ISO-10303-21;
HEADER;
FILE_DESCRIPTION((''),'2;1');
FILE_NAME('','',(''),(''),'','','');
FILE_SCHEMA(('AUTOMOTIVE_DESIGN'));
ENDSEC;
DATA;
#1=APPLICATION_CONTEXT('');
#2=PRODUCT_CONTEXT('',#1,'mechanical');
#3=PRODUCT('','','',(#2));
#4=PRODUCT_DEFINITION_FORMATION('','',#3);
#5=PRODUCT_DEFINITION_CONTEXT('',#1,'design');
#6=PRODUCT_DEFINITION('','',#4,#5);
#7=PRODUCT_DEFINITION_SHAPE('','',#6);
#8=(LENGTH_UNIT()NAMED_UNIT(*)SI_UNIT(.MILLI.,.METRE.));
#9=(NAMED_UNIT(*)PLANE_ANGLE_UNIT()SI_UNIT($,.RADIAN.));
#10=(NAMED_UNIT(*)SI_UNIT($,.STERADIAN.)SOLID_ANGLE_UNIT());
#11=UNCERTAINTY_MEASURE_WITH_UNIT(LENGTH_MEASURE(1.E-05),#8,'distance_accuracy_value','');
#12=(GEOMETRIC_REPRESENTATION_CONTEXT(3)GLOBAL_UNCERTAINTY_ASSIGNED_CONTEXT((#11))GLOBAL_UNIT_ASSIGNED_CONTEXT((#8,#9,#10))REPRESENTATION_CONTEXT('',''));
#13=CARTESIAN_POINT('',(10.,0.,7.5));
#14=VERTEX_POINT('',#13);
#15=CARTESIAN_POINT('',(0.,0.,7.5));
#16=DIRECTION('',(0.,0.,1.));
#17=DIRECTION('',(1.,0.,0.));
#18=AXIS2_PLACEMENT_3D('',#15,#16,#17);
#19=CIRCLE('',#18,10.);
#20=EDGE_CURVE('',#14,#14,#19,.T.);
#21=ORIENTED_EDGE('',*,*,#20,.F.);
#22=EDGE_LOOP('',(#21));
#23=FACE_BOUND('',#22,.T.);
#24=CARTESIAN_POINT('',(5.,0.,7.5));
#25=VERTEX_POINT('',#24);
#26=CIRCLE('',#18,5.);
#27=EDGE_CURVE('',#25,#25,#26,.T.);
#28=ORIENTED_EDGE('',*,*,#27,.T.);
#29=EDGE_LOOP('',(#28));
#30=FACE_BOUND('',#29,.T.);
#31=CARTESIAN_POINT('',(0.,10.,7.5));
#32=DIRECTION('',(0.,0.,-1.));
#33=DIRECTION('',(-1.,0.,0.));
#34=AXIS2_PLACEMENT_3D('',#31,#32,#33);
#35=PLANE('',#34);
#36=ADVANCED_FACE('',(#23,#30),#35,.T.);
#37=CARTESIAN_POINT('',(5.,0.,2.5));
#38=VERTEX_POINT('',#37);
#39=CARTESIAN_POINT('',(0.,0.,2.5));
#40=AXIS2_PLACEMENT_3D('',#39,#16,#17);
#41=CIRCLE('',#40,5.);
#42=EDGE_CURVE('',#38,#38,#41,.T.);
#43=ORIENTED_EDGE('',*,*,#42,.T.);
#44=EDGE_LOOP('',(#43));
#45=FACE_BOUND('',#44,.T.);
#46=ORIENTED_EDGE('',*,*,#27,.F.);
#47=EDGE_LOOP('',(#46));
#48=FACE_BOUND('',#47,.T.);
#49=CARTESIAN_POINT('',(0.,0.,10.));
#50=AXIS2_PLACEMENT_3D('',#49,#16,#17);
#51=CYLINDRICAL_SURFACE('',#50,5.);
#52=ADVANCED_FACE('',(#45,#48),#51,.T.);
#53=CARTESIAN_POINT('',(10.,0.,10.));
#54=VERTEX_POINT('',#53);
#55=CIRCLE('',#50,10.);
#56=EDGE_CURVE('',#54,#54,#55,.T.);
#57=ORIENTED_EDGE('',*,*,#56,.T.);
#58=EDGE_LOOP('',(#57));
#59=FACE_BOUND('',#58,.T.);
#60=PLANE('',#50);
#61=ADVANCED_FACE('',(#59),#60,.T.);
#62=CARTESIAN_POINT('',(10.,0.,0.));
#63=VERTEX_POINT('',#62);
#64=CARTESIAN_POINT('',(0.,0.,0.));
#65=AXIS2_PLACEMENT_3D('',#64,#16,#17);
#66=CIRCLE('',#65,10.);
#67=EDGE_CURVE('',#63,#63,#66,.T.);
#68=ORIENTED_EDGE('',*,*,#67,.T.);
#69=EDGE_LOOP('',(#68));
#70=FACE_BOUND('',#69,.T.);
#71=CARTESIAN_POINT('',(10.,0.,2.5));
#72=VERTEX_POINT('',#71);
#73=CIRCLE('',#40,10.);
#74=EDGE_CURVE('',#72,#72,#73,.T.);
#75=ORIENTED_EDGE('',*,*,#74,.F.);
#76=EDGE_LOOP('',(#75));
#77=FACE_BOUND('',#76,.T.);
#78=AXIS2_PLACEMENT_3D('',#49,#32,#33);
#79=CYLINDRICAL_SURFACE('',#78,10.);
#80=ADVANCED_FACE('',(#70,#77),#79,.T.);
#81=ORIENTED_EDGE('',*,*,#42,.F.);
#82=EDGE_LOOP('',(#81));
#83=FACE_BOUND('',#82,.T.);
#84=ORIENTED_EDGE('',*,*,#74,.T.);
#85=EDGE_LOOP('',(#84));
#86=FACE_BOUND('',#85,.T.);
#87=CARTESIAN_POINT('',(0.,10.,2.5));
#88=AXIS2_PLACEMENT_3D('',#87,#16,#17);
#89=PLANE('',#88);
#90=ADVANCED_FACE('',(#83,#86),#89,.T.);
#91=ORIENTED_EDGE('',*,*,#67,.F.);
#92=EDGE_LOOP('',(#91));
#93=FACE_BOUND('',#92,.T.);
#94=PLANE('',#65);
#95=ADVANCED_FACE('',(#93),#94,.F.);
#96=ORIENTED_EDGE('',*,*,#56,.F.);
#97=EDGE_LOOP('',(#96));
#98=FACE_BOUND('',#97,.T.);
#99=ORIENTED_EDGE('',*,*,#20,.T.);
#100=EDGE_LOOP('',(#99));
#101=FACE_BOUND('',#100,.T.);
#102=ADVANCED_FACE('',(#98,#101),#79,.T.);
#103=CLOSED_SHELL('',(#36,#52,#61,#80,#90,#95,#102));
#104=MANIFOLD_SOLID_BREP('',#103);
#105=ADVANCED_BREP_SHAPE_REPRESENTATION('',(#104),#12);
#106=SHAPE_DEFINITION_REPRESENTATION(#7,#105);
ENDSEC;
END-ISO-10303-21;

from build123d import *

# Parameters (mm, degrees)
SKETCH1_R           = 10
BOSS_EXTRUDE1_DEPTH = 10
SKETCH2_W           = 5
SKETCH2_H           = 5


with BuildPart() as part:
    # Sketch1 → Boss-Extrude1 (new body)
    with BuildSketch(Plane.XY):
        Circle(SKETCH1_R)
    extrude(amount=BOSS_EXTRUDE1_DEPTH)

    # Sketch2 → Cut-Revolve1 (revolve, cut)
    with BuildSketch(Plane(origin=(0, 0, 0), x_dir=(0, 0, -1), z_dir=(1, 0, 0)), mode=Mode.PRIVATE) as cut_revolve1_sk:
        with Locations((-5, 7.5)):
            Rectangle(SKETCH2_W, SKETCH2_H)
    revolve(cut_revolve1_sk.sketch.rotate(Axis((0, 0, 10), (0, 0, -1)), 90), axis=Axis((0, 0, 10), (0, 0, -1)), mode=Mode.SUBTRACT)


solid = part.part
